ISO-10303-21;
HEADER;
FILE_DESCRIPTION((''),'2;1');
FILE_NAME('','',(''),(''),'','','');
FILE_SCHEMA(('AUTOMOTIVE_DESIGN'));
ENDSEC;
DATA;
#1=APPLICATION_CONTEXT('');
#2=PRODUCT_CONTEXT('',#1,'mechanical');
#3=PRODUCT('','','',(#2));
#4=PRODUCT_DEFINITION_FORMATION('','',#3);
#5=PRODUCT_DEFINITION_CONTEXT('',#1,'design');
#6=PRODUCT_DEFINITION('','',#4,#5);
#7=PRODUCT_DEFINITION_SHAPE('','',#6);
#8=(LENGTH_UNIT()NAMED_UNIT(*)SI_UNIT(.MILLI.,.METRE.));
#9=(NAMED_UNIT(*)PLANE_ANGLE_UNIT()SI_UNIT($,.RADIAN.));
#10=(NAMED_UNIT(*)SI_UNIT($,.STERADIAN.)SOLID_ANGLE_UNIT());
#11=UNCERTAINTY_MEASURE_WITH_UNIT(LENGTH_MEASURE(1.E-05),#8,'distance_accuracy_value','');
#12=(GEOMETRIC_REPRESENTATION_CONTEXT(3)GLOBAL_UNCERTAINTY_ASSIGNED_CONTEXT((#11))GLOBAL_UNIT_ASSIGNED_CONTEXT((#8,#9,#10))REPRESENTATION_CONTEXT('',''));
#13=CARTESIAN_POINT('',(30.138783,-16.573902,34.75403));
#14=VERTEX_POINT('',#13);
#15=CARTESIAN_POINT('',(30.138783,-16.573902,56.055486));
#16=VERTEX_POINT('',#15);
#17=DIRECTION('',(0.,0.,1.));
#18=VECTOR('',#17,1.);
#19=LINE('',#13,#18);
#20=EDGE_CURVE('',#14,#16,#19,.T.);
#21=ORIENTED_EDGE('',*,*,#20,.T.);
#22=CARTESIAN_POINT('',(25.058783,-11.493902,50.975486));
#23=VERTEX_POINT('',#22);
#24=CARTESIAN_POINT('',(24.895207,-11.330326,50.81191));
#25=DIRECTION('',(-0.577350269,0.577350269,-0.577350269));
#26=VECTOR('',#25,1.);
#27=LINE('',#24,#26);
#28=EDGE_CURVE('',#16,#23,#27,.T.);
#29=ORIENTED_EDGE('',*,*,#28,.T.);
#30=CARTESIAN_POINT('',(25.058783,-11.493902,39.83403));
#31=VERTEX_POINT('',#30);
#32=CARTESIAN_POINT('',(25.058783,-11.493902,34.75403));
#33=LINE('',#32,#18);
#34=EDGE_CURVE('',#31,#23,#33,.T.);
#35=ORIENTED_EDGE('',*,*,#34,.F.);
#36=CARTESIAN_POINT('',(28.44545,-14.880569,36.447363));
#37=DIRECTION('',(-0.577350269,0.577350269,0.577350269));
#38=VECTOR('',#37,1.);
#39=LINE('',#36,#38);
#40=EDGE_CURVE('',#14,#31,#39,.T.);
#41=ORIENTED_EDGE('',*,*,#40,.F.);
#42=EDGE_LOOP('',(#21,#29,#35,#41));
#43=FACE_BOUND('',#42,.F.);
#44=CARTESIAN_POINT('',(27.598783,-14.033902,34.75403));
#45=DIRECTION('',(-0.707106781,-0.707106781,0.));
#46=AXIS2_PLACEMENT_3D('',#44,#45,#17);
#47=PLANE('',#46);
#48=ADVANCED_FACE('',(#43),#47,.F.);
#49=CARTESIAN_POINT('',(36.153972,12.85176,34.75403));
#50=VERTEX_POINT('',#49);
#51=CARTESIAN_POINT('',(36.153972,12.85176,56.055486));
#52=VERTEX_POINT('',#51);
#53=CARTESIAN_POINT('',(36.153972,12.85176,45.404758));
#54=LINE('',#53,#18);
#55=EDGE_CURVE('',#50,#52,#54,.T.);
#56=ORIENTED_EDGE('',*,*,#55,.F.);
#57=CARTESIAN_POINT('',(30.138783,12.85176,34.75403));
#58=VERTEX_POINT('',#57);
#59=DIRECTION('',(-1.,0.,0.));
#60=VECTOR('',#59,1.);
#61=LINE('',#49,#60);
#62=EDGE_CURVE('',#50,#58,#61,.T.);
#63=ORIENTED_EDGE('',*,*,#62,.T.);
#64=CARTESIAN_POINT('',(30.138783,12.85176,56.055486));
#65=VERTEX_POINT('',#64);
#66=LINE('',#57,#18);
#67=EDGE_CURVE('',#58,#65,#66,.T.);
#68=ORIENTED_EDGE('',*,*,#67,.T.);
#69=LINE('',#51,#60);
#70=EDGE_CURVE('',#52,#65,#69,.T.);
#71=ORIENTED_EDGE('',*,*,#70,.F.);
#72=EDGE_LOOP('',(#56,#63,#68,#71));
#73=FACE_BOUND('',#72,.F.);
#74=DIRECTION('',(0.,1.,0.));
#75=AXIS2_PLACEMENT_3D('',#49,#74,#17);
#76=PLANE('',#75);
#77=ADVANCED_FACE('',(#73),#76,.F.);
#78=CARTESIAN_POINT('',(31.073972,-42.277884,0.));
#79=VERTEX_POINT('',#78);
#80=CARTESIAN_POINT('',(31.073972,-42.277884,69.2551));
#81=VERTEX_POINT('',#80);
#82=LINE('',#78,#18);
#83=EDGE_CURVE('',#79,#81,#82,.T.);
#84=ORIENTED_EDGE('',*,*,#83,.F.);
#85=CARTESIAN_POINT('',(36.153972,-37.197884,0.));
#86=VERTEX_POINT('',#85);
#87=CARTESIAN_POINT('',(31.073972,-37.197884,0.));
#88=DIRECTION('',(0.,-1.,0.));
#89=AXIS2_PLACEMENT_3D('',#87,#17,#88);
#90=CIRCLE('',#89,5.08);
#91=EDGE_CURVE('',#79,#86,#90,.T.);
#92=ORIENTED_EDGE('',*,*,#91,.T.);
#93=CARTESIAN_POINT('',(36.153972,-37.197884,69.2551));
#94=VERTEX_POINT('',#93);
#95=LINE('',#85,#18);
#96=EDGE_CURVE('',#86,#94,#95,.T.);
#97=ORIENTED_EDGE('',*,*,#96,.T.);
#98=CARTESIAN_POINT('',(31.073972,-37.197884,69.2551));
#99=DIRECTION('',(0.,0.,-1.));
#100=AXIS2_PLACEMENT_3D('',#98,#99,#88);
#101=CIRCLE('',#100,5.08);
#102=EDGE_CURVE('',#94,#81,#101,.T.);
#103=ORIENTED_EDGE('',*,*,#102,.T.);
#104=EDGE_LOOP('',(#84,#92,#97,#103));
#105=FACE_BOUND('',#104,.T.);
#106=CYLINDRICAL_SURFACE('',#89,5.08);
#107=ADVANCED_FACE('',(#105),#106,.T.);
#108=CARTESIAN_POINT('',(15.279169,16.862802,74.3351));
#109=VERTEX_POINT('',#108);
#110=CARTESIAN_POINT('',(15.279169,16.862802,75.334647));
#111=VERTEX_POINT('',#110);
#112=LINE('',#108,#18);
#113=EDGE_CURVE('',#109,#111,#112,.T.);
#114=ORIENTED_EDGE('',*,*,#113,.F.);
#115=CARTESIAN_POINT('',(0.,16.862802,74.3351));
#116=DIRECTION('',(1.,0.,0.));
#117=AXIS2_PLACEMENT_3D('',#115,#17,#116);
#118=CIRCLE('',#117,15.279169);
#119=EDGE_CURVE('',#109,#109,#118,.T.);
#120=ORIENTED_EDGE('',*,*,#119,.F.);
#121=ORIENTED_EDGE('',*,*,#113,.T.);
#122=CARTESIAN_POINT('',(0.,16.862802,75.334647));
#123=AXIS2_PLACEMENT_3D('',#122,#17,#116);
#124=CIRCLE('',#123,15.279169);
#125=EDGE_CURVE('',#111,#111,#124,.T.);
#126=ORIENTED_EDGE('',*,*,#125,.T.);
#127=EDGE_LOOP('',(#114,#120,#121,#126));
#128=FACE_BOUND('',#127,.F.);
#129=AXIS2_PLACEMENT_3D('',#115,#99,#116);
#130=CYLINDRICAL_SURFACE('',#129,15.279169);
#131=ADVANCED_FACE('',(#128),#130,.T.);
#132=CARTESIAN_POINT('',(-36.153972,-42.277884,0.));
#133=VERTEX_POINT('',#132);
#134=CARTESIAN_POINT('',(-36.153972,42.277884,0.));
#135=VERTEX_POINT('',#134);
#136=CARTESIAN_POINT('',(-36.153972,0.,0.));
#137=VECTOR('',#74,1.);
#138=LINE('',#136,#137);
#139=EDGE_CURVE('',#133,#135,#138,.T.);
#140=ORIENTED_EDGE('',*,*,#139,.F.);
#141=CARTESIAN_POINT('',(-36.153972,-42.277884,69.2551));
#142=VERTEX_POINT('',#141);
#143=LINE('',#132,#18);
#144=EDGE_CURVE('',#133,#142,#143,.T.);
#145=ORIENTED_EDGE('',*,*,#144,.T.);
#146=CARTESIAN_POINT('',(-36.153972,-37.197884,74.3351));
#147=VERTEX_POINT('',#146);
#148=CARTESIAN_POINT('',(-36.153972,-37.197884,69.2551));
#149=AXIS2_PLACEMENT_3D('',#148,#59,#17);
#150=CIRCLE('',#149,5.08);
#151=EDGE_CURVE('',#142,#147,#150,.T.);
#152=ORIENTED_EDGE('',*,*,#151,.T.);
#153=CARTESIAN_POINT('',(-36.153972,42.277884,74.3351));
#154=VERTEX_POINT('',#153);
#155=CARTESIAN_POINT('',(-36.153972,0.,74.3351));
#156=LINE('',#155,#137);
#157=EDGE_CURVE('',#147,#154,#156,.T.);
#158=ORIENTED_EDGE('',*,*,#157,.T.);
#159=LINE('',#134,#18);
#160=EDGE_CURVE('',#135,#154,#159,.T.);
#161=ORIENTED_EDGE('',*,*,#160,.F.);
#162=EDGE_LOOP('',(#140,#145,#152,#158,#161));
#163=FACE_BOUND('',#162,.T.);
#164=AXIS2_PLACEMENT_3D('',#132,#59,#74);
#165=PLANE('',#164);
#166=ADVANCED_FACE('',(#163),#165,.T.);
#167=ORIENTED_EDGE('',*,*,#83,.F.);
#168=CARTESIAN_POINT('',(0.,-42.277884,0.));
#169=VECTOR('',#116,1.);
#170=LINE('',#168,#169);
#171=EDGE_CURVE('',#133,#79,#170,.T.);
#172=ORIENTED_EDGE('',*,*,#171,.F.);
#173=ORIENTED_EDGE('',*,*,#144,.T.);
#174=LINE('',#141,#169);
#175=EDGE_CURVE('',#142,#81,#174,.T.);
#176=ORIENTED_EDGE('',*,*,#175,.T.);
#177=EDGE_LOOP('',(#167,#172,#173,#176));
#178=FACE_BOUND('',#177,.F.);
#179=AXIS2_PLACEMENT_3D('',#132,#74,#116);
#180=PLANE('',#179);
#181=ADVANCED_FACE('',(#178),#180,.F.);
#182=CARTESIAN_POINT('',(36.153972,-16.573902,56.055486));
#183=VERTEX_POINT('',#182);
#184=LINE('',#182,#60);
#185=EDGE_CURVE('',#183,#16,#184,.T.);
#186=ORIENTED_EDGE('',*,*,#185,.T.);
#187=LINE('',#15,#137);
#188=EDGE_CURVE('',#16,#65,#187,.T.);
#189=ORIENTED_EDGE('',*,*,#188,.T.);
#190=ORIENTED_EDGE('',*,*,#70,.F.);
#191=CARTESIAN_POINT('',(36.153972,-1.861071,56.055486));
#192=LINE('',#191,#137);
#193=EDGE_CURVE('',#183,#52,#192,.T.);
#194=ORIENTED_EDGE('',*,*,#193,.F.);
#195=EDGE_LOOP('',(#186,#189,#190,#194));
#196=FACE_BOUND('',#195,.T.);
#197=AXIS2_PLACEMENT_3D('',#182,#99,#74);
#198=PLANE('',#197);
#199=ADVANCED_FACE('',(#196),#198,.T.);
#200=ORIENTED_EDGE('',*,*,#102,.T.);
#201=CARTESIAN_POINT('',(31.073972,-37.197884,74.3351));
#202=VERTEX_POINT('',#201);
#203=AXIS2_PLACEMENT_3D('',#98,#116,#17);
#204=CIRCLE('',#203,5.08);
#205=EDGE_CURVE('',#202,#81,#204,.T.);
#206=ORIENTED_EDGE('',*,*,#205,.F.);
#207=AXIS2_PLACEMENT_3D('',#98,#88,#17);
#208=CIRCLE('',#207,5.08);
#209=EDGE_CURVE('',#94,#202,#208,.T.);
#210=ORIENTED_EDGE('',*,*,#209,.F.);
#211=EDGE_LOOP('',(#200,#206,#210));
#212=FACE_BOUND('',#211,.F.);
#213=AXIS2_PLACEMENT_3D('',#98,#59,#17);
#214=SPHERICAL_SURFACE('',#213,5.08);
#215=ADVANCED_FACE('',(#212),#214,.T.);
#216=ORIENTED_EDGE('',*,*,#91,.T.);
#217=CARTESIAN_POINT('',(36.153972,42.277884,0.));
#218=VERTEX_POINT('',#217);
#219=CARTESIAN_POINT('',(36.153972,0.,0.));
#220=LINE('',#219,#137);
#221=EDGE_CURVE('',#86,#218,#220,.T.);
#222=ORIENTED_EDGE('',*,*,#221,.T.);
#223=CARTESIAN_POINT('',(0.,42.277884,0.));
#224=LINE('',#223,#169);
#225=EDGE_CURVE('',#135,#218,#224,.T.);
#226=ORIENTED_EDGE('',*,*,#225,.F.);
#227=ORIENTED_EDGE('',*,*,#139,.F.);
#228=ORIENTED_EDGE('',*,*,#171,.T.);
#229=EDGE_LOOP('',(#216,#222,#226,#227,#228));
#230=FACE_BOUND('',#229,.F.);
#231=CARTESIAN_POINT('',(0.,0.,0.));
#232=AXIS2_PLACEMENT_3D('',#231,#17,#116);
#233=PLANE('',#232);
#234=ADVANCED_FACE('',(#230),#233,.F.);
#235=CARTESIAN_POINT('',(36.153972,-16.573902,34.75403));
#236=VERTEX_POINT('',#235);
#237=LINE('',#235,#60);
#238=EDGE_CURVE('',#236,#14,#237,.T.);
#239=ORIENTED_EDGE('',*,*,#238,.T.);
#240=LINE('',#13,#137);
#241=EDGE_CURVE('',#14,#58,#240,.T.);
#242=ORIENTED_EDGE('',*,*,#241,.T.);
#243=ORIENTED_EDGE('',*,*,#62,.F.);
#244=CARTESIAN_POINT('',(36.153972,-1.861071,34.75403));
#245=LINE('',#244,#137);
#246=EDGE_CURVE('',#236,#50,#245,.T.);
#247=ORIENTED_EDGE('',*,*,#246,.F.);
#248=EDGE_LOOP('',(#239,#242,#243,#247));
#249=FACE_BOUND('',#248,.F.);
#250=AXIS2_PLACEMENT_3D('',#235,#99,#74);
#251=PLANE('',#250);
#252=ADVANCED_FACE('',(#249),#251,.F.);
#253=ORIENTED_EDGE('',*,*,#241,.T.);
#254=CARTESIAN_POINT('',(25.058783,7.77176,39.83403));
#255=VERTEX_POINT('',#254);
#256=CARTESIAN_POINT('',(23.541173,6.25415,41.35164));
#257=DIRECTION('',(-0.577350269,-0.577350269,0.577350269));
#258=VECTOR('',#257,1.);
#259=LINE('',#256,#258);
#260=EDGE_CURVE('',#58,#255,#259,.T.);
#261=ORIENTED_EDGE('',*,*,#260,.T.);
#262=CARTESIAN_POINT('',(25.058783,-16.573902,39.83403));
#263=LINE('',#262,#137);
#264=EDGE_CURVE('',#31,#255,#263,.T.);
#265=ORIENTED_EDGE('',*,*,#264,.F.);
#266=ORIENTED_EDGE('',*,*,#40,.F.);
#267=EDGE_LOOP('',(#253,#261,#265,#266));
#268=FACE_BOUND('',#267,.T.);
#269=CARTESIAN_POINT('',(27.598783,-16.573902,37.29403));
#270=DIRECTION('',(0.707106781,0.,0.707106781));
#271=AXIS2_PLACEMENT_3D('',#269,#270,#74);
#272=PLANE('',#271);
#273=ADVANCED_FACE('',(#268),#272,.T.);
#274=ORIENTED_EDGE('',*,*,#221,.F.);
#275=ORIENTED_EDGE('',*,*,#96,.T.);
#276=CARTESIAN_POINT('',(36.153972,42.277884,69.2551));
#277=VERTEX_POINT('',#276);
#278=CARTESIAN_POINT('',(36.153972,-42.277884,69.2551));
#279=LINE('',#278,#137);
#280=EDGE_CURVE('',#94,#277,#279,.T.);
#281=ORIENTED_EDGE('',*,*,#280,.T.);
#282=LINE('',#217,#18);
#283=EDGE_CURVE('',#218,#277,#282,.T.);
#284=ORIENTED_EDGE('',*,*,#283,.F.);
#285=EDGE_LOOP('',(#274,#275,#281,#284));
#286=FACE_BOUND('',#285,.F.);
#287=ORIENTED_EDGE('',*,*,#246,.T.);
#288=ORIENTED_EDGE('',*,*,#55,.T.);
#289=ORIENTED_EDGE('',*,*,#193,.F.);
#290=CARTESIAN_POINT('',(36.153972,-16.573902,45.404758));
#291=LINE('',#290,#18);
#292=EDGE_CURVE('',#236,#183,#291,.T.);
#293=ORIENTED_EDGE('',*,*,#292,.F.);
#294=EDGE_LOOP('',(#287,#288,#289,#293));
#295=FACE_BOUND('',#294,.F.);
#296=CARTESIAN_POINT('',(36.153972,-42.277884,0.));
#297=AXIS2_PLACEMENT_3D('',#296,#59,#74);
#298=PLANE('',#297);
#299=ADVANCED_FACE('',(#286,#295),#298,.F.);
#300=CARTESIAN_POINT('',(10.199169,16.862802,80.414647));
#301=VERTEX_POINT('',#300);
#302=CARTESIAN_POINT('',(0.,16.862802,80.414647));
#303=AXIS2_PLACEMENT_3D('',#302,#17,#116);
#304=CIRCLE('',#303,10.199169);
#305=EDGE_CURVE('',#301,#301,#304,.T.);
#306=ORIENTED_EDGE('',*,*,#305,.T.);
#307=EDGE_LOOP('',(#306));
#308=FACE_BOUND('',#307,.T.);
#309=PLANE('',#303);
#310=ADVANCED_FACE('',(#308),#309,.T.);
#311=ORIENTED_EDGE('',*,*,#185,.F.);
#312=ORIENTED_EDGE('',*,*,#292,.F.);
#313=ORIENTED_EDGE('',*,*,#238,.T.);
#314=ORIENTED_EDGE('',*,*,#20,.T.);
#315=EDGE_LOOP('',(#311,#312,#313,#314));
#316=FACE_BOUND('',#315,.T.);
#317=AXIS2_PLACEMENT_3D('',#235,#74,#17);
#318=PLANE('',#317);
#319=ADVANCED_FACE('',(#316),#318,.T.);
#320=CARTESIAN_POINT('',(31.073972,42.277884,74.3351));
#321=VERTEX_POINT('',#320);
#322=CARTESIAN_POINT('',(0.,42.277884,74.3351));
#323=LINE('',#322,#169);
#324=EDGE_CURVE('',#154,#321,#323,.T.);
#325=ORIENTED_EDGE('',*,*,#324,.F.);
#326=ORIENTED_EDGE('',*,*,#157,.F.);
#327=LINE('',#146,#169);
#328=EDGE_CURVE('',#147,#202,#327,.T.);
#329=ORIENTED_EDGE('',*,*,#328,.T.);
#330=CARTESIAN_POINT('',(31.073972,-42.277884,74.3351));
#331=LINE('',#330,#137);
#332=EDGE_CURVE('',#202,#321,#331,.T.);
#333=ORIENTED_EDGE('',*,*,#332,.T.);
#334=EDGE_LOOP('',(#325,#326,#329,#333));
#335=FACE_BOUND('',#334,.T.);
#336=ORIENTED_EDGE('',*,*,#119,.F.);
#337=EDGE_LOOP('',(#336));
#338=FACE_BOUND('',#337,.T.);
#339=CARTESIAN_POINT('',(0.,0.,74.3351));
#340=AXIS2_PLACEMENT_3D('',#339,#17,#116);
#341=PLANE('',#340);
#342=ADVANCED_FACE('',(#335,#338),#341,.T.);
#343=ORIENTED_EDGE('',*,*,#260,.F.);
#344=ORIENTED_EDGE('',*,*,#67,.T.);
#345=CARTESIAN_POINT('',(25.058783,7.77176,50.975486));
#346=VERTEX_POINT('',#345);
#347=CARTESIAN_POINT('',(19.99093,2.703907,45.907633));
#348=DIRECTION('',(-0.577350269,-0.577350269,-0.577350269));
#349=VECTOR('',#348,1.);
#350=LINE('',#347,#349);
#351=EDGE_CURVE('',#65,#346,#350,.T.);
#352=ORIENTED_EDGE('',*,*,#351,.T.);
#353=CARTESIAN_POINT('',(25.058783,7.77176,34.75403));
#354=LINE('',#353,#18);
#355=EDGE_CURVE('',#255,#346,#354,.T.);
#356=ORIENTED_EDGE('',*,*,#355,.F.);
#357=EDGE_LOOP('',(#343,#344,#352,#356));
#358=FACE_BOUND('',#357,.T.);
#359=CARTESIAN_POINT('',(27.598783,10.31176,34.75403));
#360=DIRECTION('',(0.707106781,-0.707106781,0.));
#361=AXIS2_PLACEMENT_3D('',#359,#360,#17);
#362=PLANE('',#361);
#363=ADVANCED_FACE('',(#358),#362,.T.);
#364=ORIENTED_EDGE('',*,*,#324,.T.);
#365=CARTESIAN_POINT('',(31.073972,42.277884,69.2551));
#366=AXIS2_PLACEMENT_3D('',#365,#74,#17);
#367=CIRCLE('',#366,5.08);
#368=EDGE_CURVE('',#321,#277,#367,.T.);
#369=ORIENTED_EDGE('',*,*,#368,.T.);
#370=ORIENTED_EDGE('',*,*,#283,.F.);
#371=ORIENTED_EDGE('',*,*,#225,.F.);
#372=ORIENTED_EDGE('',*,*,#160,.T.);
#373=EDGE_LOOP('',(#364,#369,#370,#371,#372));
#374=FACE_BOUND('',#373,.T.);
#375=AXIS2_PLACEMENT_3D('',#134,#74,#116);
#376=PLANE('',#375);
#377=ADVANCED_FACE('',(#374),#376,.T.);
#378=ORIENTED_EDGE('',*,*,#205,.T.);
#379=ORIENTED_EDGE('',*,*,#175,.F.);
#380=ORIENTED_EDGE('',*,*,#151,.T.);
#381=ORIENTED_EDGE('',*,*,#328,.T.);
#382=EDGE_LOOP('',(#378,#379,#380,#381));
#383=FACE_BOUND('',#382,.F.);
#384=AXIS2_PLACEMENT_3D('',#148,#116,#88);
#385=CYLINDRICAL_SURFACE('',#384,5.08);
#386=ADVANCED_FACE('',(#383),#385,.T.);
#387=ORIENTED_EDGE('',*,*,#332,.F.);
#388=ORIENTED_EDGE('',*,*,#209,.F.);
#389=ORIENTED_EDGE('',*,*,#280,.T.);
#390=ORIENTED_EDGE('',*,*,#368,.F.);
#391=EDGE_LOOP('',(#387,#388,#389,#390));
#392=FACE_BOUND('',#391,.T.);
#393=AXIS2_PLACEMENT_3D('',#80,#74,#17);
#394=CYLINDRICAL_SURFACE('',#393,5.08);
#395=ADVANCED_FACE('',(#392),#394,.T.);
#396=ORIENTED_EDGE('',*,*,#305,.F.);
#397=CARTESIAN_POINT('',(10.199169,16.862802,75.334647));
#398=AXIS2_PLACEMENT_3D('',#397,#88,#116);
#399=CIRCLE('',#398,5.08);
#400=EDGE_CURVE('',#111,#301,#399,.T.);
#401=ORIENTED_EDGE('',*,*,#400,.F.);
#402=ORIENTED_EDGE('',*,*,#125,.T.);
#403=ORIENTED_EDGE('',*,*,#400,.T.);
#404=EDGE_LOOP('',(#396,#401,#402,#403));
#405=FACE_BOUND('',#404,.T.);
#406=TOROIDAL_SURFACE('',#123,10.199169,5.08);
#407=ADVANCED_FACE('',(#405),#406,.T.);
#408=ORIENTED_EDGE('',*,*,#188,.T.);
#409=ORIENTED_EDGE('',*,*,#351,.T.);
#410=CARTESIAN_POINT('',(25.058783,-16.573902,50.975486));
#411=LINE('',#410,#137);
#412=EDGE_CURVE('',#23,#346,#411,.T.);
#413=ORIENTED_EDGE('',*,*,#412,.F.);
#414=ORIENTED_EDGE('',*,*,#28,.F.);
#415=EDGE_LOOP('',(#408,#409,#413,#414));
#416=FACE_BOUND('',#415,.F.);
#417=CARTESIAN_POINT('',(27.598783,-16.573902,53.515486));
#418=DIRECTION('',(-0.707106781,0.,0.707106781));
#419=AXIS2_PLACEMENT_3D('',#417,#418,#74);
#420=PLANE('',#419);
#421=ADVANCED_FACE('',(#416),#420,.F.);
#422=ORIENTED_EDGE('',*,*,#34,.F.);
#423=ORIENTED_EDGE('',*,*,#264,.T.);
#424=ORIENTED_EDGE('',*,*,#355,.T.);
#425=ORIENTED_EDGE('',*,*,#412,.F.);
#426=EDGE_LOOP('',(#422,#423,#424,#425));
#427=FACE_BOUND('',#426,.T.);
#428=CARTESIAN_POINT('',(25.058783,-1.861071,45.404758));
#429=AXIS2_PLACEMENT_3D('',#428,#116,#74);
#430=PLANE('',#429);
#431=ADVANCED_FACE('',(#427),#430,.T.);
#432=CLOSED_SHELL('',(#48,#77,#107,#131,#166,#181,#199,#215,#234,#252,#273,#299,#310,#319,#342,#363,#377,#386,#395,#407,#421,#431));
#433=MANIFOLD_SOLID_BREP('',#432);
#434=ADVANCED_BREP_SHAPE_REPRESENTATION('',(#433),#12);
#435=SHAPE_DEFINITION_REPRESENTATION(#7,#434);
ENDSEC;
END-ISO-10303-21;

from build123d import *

# Parameters (mm, degrees)
F0_W     = 72.307944
F0_H     = 84.555768
F1_DEPTH = 74.3351
F2_R     = 15.279169
F3_DEPTH = 6.079547
F4_R     = 5.08
F5_W     = 29.425662
F5_H     = 21.301456
F6_DEPTH = 11.095189
F7_SIZE  = 5.08


with BuildPart() as f1:
    # F0 (on Top) → F1 (new body)
    with BuildSketch(Plane.XY):
        Rectangle(F0_W, F0_H)
    extrude(amount=F1_DEPTH)

    # F2 (on face) → F3 (join)
    with BuildSketch(Plane.XY.offset(74.3351)):
        with Locations((0, 16.862802)):
            Circle(F2_R)
    extrude(amount=F3_DEPTH)

    # F4
    f4_edges = [f1.edges().sort_by_distance(p)[0] for p in [
        (-15.279169, 16.862802, 80.414647),
        (0, -42.277884, 74.3351),
        (36.153972, 0, 74.3351),
        (36.153972, -42.277884, 37.16755),
    ]]
    fillet(f4_edges, radius=F4_R)

    # F5 (on face) → F6 (cut)
    with BuildSketch(Plane.YZ.offset(36.153972)):
        with Locations((-1.861071, 45.404758)):
            Rectangle(F5_W, F5_H)
    extrude(amount=-F6_DEPTH, mode=Mode.SUBTRACT)

    # F7
    f7_edges = [f1.edges().sort_by_distance(p)[0] for p in [
        (25.058783, -1.861071, 56.055486),
        (25.058783, -16.573902, 45.404758),
        (25.058783, -1.861071, 34.75403),
        (25.058783, 12.85176, 45.404758),
    ]]
    chamfer(f7_edges, length=F7_SIZE)


solid = f1.part
